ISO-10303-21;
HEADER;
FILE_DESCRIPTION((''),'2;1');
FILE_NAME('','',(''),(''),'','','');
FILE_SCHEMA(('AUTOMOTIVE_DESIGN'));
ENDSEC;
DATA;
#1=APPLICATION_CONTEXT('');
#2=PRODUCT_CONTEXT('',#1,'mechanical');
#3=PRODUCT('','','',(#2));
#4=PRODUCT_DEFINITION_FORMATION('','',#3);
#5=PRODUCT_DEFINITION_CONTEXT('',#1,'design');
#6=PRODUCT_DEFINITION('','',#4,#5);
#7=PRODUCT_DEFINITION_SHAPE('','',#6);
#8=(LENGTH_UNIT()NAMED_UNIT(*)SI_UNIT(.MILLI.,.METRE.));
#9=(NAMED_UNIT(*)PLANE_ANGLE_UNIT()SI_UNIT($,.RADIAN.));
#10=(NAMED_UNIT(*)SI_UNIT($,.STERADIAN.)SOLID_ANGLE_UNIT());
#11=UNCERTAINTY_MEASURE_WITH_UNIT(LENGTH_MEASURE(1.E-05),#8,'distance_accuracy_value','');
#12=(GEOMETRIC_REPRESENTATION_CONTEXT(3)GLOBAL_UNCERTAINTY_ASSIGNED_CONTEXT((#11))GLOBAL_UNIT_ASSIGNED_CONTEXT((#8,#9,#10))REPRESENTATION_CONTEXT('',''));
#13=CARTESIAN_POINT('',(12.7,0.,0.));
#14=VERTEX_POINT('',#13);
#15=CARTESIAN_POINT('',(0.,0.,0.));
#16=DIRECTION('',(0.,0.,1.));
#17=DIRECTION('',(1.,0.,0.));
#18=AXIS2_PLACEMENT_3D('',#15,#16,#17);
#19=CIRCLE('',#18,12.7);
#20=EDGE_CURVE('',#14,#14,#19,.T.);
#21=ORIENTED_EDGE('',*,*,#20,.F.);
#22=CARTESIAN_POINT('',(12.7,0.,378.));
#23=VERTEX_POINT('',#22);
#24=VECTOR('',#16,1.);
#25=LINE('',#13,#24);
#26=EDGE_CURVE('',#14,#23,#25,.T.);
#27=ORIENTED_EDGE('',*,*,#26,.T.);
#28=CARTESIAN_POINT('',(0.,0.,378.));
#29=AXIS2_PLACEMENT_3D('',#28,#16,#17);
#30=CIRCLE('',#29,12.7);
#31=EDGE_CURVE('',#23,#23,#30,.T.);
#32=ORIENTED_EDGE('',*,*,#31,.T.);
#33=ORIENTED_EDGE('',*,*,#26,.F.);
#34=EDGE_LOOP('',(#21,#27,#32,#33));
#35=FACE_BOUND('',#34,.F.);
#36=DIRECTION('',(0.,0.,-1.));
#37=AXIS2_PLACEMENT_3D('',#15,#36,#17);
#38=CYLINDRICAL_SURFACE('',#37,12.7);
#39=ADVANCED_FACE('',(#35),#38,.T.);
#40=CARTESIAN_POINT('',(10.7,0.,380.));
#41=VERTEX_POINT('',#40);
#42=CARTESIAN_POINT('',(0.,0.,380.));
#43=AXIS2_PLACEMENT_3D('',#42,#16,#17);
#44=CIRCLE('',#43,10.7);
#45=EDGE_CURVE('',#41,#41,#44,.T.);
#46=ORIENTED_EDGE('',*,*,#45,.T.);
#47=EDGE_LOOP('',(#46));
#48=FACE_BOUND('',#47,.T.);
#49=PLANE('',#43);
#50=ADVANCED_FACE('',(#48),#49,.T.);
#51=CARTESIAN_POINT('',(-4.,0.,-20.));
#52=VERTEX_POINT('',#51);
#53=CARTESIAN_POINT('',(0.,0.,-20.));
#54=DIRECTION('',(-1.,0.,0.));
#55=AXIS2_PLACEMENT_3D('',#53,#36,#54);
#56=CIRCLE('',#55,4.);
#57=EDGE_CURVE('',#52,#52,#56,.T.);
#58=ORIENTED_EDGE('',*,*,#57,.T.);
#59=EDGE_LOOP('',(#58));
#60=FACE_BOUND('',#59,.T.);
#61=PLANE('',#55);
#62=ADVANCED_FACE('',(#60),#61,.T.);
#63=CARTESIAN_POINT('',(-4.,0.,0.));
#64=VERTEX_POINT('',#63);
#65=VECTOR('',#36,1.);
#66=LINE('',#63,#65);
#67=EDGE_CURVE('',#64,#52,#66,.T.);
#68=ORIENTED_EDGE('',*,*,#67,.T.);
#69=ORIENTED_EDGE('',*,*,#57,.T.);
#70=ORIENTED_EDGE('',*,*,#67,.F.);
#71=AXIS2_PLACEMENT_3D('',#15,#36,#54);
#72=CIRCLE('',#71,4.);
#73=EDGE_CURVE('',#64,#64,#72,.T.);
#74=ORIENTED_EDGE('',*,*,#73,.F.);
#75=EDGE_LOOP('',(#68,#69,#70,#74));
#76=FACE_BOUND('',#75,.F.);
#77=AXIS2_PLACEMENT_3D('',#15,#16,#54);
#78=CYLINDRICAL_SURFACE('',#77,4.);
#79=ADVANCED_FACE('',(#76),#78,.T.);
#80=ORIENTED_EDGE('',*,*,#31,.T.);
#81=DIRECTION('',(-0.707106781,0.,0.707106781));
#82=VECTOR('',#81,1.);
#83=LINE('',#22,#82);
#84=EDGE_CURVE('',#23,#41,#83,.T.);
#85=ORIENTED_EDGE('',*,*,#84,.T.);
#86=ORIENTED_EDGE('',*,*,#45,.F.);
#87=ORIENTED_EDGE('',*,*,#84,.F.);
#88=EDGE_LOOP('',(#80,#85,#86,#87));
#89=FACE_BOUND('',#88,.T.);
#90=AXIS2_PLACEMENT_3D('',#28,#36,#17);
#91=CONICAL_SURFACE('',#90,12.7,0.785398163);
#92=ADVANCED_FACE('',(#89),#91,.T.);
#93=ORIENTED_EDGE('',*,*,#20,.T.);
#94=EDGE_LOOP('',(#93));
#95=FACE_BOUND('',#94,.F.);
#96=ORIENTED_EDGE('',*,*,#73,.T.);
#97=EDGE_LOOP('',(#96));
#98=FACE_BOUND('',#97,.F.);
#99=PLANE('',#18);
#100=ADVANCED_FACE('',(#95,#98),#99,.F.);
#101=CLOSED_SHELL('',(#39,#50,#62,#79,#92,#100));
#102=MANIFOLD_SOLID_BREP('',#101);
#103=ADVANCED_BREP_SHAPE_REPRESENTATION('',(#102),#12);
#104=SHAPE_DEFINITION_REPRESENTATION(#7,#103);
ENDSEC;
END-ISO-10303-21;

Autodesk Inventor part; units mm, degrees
ref_plane "YZ Plane" through (0, 0, 0) normal (1, 0, 0) x (0, 1, 0)
ref_plane "XZ Plane" through (0, 0, 0) normal (0, 1, 0) x (-1, 0, 0)
ref_plane "XY Plane" through (0, 0, 0) normal (0, 0, 1) x (1, 0, 0)
sketch "Sketch1" plane through (0, 0, 0) normal (0, 0, 1) x (1, 0, 0)
  circle A0 centre (0, 0) radius 12.7
  dimension "d0" = 25.4
extrude "Extrusion1" add sketch "Sketch1" along normal blind 380
sketch "Sketch2" plane through (0, 0, 0) normal (0, 0, -1) x (-1, 0, 0)
  circle A0 centre (0, 0) radius 12.7 construction
  circle A1 centre (0, 0) radius 4
  dimension "d3" = 8
extrude "Extrusion2" add sketch "Sketch2" along normal blind 20
thread "Thread1" size "M8x1.25" class "6g" standard "ANSI Metric M Profile" full length
chamfer "Chamfer1" distance 2 angle 45 1 edges at (-12.7, 0, 380)
properties part number "22-130 RAIL" material "Aluminum-6061"
